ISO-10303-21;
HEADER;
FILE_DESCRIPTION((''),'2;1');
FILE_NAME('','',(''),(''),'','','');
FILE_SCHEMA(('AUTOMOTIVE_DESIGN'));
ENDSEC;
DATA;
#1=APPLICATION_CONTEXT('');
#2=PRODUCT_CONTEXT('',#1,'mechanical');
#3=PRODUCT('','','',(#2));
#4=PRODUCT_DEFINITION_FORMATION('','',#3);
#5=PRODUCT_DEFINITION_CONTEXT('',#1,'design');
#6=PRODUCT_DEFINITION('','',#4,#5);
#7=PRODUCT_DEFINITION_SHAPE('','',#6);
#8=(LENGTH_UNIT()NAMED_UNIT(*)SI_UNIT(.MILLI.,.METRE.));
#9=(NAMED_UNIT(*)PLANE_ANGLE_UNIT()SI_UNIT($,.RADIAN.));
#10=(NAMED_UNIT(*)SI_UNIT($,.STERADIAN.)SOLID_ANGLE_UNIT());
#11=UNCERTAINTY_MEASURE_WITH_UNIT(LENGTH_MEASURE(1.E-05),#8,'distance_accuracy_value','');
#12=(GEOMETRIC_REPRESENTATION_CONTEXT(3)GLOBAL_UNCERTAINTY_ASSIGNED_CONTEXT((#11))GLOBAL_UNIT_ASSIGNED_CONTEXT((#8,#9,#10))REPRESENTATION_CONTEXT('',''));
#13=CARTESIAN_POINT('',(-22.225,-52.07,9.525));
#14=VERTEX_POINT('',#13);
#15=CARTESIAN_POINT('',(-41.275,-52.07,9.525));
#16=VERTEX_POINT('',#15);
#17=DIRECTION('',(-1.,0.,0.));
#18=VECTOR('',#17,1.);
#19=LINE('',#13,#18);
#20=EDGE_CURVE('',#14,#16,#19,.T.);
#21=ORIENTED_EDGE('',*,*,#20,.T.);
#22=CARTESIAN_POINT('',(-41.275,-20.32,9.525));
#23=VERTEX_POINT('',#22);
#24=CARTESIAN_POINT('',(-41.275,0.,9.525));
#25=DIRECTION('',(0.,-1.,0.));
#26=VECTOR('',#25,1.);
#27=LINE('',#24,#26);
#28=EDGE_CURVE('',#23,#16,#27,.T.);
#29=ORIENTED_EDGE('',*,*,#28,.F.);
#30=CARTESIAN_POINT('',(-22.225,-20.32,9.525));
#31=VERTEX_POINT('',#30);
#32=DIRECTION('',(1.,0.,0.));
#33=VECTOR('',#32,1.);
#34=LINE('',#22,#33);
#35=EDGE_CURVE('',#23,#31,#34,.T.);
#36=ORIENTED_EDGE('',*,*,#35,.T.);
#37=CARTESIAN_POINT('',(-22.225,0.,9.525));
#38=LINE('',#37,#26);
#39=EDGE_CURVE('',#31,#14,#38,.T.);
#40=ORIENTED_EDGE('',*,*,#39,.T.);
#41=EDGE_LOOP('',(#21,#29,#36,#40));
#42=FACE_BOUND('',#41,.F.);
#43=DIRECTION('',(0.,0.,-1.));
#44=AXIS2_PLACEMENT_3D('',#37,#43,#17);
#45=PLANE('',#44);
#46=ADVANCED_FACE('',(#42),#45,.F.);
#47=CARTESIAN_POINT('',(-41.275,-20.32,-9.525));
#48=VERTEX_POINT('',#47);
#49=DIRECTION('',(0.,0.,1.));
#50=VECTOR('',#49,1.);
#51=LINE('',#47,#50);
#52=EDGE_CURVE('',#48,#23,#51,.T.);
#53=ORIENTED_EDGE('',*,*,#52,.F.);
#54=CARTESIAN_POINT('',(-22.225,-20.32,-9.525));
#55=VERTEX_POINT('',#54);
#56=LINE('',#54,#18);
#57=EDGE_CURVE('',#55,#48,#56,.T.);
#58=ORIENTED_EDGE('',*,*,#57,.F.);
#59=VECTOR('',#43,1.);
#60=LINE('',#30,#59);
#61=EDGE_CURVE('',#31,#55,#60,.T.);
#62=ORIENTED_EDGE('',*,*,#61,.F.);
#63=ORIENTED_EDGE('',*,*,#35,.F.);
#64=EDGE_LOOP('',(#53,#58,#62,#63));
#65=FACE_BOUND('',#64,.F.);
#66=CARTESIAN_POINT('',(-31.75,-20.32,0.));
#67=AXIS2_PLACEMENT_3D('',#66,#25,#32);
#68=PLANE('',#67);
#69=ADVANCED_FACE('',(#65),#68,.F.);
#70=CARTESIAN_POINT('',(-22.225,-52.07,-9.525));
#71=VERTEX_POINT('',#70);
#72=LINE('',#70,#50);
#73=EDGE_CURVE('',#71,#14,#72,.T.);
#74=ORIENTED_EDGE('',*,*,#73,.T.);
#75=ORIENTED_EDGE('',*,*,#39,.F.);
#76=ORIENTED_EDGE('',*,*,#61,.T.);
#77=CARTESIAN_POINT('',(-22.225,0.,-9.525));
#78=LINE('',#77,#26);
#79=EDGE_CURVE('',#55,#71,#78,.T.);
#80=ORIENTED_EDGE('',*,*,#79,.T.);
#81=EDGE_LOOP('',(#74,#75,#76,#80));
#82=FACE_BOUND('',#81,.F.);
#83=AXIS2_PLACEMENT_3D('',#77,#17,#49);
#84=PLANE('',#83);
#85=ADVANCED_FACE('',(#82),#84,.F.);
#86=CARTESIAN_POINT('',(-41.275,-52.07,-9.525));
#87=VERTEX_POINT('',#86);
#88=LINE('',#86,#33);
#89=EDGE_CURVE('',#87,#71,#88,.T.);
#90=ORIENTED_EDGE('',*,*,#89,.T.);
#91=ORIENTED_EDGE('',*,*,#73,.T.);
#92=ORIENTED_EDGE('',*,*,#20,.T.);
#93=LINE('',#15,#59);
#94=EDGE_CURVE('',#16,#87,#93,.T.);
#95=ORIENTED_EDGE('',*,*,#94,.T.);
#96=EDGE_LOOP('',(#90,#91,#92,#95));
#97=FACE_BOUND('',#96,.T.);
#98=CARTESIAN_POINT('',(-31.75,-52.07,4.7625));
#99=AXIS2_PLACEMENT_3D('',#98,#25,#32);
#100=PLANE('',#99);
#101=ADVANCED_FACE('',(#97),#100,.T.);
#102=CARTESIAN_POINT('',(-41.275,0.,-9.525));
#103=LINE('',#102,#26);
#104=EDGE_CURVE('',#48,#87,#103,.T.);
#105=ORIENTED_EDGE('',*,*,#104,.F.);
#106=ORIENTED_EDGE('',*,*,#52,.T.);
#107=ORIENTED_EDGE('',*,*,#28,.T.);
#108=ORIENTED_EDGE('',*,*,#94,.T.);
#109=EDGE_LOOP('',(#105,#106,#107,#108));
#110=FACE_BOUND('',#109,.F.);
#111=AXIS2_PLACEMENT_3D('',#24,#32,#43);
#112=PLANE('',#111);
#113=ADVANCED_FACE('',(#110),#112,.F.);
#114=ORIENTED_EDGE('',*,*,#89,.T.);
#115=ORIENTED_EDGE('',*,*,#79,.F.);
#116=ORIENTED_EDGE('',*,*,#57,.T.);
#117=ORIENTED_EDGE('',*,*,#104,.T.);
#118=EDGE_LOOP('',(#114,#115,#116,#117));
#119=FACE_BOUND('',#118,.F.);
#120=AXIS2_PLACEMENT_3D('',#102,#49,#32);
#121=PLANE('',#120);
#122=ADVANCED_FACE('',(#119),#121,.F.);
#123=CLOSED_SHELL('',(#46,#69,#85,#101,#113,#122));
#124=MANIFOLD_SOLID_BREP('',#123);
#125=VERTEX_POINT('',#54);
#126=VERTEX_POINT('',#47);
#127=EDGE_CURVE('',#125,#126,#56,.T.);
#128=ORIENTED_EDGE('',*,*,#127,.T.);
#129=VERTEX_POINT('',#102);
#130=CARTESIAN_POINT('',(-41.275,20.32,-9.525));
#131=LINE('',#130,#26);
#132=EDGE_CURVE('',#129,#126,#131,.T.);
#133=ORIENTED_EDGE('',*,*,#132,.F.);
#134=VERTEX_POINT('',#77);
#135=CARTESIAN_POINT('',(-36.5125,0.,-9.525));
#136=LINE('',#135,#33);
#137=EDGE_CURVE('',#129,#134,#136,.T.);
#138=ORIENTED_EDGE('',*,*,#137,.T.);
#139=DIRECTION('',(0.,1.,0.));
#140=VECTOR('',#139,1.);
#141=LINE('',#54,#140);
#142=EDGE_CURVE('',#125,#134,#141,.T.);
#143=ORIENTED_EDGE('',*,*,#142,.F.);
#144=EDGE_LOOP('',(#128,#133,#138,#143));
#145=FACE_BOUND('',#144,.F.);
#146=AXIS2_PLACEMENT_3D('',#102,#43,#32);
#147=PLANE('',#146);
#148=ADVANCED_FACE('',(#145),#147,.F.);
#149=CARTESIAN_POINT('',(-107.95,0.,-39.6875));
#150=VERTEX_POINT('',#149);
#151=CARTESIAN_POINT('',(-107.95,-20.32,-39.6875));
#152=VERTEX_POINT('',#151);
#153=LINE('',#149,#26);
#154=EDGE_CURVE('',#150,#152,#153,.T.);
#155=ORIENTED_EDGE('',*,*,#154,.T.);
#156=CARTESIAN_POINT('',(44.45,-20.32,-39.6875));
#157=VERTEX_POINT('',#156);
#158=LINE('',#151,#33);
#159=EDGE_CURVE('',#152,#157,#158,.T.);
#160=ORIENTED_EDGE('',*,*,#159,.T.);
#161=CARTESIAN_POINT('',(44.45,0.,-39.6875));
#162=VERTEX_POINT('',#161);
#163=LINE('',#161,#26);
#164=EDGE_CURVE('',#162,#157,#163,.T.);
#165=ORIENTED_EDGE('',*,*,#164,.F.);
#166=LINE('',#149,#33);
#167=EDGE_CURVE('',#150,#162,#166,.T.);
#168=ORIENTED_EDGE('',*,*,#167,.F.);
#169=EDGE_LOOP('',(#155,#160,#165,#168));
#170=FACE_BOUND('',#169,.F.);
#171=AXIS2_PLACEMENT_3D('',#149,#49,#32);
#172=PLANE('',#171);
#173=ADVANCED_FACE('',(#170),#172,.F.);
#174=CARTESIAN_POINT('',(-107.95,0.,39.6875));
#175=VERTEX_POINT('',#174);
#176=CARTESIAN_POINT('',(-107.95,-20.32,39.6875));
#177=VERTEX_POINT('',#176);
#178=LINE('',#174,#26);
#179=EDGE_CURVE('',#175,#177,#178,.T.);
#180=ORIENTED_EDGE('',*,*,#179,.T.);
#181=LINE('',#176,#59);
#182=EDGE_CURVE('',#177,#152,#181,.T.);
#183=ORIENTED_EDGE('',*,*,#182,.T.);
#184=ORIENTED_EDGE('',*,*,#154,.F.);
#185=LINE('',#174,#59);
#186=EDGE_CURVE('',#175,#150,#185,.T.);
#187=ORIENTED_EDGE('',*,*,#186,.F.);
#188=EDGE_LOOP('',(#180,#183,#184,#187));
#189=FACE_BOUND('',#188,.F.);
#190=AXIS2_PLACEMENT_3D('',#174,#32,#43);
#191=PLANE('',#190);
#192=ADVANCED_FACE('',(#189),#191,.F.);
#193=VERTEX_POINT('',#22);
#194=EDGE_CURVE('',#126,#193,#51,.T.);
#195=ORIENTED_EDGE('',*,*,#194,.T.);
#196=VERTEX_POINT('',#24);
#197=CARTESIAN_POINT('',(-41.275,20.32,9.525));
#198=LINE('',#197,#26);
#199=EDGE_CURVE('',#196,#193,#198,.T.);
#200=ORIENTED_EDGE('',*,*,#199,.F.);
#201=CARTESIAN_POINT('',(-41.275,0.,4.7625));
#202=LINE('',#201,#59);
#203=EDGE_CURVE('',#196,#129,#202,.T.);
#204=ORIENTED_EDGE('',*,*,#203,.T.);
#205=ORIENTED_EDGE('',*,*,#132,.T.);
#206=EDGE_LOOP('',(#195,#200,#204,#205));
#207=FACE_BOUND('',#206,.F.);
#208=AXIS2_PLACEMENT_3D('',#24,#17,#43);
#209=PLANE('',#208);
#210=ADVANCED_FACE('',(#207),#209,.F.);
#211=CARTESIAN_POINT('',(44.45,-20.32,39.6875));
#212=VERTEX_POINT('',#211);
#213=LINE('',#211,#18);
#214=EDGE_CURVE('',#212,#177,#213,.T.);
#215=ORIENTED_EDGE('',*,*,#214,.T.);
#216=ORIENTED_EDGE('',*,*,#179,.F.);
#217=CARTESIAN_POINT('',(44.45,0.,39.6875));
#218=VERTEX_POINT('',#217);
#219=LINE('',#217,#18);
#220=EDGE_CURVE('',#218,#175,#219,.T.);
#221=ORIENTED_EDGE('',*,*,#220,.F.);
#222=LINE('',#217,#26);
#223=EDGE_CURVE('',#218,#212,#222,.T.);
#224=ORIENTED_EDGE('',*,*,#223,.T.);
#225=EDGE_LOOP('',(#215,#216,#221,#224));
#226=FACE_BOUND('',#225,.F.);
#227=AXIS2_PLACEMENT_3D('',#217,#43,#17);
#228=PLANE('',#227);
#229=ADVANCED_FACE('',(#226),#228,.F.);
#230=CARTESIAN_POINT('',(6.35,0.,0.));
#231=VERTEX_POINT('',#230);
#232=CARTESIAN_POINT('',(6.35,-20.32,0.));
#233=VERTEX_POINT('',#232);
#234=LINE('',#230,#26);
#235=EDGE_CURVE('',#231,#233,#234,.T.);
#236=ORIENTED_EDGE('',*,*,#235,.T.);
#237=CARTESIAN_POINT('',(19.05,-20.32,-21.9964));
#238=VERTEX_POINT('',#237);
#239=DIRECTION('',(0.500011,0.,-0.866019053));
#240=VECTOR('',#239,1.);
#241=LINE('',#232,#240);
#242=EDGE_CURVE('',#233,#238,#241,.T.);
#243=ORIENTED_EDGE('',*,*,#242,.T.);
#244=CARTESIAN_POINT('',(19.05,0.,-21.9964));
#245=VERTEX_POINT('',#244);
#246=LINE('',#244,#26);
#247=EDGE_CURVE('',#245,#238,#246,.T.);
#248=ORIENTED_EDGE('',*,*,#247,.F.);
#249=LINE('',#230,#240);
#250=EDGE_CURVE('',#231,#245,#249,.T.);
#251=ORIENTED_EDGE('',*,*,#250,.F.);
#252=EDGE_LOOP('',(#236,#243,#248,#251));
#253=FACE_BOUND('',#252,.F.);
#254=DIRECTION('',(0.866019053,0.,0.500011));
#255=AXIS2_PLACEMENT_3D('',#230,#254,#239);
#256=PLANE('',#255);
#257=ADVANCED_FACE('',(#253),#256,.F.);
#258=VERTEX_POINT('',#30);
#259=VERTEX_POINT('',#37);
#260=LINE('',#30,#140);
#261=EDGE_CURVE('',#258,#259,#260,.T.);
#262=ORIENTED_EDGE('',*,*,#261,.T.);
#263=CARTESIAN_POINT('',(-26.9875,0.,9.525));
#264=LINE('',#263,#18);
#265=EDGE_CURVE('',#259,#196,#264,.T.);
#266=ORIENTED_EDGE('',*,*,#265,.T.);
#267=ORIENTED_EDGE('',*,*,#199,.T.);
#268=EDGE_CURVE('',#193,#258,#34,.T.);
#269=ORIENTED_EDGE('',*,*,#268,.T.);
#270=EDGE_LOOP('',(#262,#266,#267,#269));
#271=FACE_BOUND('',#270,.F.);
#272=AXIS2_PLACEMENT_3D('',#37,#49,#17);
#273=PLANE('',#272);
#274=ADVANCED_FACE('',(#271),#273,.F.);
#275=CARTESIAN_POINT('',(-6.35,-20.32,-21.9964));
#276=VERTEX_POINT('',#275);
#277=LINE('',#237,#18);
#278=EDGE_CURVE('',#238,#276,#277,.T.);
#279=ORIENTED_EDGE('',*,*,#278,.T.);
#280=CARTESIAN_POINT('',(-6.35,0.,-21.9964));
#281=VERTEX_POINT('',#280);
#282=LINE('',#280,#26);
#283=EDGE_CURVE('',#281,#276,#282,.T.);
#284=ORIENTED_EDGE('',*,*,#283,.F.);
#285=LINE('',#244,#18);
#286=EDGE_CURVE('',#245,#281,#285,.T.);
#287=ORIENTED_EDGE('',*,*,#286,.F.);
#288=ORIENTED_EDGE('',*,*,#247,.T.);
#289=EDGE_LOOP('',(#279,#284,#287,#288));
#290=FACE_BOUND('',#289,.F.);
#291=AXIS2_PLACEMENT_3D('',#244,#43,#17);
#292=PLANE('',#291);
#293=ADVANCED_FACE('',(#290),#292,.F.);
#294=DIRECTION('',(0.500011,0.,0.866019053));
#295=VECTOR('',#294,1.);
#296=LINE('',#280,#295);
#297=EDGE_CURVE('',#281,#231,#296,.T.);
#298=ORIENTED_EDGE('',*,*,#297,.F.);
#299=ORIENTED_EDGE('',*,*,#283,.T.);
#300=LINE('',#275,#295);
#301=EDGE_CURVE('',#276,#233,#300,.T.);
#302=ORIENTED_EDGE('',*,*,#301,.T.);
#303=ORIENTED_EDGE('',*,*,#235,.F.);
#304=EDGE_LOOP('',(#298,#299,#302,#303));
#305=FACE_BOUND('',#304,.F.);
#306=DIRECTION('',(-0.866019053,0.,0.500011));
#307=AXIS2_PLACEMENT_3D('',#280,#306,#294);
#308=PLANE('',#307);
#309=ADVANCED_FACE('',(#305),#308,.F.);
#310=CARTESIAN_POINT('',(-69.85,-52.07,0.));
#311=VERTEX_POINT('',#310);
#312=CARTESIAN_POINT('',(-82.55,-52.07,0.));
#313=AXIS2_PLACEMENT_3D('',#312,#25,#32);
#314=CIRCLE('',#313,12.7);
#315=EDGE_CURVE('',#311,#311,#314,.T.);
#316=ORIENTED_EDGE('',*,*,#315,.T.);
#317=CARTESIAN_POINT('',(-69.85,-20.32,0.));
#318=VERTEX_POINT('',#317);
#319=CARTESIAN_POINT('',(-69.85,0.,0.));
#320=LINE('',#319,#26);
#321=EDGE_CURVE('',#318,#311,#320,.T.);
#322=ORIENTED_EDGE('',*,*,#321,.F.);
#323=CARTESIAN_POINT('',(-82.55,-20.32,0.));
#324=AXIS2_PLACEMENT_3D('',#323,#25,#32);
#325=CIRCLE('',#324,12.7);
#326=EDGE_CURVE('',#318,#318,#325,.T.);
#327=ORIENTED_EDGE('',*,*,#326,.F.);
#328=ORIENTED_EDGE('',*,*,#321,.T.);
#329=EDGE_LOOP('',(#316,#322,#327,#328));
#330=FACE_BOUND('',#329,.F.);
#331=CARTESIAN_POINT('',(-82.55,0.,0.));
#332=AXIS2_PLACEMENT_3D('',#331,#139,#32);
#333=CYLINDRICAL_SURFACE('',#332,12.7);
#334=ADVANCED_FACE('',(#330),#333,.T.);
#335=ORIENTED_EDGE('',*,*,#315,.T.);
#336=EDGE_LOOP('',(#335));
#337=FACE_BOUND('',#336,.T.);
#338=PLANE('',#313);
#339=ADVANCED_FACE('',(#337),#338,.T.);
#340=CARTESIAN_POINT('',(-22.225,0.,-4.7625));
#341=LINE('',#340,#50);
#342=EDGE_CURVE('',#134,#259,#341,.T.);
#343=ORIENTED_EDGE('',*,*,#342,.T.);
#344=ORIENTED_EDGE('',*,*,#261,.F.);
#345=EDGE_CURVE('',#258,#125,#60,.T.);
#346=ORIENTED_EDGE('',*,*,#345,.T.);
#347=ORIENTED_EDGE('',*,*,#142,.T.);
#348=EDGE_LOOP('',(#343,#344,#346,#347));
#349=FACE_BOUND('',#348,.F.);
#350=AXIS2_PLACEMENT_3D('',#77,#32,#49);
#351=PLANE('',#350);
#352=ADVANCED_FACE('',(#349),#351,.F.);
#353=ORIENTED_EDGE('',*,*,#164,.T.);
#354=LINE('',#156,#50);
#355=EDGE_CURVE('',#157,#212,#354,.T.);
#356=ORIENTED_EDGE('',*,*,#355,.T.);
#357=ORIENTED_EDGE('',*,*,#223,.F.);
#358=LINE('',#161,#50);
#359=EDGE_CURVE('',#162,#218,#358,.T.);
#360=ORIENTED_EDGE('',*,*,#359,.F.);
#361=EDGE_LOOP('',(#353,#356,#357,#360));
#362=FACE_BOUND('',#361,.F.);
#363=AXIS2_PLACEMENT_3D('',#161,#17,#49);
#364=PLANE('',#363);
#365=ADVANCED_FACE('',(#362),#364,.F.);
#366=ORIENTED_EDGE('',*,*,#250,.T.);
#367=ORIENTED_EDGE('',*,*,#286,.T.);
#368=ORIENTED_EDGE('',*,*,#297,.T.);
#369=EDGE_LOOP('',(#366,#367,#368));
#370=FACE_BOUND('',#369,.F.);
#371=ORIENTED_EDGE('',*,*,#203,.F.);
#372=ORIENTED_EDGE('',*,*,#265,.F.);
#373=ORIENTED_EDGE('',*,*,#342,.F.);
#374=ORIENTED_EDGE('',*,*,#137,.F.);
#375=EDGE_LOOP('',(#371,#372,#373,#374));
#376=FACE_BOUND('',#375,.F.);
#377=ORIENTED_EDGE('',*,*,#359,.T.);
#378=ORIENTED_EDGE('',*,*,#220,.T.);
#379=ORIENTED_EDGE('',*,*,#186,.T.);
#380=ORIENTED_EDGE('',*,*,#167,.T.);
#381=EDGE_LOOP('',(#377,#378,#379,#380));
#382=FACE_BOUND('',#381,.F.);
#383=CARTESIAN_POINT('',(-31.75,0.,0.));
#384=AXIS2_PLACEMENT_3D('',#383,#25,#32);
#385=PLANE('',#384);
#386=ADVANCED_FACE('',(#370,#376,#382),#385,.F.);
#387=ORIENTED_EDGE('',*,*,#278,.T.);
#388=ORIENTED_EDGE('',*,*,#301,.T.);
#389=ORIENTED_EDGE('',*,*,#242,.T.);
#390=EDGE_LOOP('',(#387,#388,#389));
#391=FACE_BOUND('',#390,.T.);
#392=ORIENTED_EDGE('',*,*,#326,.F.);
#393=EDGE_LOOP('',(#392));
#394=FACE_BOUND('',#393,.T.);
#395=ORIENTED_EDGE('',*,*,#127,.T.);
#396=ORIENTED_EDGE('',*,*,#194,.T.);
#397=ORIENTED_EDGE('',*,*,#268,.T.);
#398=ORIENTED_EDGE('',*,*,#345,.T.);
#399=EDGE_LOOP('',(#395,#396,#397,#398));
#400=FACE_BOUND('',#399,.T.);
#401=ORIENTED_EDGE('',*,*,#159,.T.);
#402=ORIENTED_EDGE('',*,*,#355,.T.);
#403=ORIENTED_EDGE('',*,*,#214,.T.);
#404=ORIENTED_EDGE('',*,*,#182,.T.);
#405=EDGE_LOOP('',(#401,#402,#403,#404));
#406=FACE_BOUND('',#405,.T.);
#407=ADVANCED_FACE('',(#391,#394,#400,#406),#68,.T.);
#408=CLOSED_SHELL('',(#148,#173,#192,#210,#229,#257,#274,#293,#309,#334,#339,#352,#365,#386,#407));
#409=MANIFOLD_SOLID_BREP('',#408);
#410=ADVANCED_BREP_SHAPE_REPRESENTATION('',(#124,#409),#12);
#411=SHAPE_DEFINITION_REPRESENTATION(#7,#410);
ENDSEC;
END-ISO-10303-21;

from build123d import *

# Parameters (mm, degrees)
F0_R     = 12.7
F1_DEPTH = 20.32
F2_DEPTH = 20.32
F3_DEPTH = 52.07
F4_DEPTH = 52.07
F6_DEPTH = 20.32


with BuildPart() as f1:
    # F0 (on Front) → F1 (new body)
    with BuildSketch(Plane.XZ):
        Polygon((44.45, -39.6875), (44.45, -39.6748), (44.45, 0), (44.45, 39.6875), (-107.95, 39.6875), (-107.95, -39.6875), align=None)
        Polygon((-6.35, -21.9964), (6.35, 0), (19.05, -21.9964), (6.35, -21.9964), align=None, mode=Mode.SUBTRACT)
        with Locations((-82.55, 0)):
            Circle(F0_R, mode=Mode.SUBTRACT)
        Polygon((-22.225, 9.525), (-22.225, 0), (-22.225, -9.525), (-41.275, -9.525), (-41.275, 0), (-41.275, 9.525), align=None, mode=Mode.SUBTRACT)
    extrude(amount=F1_DEPTH)

    # F0 (on Front) → F2 (cut)
    with BuildSketch(Plane.XZ):
        Polygon((19.05, -21.9964), (6.35, 0), (6.35, -21.9964), align=None)
        Polygon((6.35, -21.9964), (6.35, 0), (-6.35, -21.9964), align=None)
    extrude(amount=F2_DEPTH, mode=Mode.SUBTRACT)

    # F0 (on Front) → F3 (join)
    with BuildSketch(Plane.XZ):
        with Locations((-82.55, 0)):
            Circle(F0_R)
    extrude(amount=F3_DEPTH)

    # F0 (on Front) → F4 (join)
    with BuildSketch(Plane.XZ):
        Polygon((-31.75, 0), (-22.225, 0), (-22.225, 9.525), (-41.275, 9.525), (-41.275, 0), align=None)
        Polygon((-22.225, -9.525), (-22.225, 0), (-31.75, 0), (-41.275, 0), (-41.275, -9.525), align=None)
    extrude(amount=F4_DEPTH)

    # F5 (on Front) → F6 (cut, symmetric)
    with BuildSketch(Plane.XZ):
        Polygon((-22.225, 9.525), (-41.275, 9.525), (-41.275, -9.525), (-22.225, -9.525), (-22.225, 0), align=None)
    extrude(amount=F6_DEPTH, both=True, mode=Mode.SUBTRACT)


solid = f1.part
